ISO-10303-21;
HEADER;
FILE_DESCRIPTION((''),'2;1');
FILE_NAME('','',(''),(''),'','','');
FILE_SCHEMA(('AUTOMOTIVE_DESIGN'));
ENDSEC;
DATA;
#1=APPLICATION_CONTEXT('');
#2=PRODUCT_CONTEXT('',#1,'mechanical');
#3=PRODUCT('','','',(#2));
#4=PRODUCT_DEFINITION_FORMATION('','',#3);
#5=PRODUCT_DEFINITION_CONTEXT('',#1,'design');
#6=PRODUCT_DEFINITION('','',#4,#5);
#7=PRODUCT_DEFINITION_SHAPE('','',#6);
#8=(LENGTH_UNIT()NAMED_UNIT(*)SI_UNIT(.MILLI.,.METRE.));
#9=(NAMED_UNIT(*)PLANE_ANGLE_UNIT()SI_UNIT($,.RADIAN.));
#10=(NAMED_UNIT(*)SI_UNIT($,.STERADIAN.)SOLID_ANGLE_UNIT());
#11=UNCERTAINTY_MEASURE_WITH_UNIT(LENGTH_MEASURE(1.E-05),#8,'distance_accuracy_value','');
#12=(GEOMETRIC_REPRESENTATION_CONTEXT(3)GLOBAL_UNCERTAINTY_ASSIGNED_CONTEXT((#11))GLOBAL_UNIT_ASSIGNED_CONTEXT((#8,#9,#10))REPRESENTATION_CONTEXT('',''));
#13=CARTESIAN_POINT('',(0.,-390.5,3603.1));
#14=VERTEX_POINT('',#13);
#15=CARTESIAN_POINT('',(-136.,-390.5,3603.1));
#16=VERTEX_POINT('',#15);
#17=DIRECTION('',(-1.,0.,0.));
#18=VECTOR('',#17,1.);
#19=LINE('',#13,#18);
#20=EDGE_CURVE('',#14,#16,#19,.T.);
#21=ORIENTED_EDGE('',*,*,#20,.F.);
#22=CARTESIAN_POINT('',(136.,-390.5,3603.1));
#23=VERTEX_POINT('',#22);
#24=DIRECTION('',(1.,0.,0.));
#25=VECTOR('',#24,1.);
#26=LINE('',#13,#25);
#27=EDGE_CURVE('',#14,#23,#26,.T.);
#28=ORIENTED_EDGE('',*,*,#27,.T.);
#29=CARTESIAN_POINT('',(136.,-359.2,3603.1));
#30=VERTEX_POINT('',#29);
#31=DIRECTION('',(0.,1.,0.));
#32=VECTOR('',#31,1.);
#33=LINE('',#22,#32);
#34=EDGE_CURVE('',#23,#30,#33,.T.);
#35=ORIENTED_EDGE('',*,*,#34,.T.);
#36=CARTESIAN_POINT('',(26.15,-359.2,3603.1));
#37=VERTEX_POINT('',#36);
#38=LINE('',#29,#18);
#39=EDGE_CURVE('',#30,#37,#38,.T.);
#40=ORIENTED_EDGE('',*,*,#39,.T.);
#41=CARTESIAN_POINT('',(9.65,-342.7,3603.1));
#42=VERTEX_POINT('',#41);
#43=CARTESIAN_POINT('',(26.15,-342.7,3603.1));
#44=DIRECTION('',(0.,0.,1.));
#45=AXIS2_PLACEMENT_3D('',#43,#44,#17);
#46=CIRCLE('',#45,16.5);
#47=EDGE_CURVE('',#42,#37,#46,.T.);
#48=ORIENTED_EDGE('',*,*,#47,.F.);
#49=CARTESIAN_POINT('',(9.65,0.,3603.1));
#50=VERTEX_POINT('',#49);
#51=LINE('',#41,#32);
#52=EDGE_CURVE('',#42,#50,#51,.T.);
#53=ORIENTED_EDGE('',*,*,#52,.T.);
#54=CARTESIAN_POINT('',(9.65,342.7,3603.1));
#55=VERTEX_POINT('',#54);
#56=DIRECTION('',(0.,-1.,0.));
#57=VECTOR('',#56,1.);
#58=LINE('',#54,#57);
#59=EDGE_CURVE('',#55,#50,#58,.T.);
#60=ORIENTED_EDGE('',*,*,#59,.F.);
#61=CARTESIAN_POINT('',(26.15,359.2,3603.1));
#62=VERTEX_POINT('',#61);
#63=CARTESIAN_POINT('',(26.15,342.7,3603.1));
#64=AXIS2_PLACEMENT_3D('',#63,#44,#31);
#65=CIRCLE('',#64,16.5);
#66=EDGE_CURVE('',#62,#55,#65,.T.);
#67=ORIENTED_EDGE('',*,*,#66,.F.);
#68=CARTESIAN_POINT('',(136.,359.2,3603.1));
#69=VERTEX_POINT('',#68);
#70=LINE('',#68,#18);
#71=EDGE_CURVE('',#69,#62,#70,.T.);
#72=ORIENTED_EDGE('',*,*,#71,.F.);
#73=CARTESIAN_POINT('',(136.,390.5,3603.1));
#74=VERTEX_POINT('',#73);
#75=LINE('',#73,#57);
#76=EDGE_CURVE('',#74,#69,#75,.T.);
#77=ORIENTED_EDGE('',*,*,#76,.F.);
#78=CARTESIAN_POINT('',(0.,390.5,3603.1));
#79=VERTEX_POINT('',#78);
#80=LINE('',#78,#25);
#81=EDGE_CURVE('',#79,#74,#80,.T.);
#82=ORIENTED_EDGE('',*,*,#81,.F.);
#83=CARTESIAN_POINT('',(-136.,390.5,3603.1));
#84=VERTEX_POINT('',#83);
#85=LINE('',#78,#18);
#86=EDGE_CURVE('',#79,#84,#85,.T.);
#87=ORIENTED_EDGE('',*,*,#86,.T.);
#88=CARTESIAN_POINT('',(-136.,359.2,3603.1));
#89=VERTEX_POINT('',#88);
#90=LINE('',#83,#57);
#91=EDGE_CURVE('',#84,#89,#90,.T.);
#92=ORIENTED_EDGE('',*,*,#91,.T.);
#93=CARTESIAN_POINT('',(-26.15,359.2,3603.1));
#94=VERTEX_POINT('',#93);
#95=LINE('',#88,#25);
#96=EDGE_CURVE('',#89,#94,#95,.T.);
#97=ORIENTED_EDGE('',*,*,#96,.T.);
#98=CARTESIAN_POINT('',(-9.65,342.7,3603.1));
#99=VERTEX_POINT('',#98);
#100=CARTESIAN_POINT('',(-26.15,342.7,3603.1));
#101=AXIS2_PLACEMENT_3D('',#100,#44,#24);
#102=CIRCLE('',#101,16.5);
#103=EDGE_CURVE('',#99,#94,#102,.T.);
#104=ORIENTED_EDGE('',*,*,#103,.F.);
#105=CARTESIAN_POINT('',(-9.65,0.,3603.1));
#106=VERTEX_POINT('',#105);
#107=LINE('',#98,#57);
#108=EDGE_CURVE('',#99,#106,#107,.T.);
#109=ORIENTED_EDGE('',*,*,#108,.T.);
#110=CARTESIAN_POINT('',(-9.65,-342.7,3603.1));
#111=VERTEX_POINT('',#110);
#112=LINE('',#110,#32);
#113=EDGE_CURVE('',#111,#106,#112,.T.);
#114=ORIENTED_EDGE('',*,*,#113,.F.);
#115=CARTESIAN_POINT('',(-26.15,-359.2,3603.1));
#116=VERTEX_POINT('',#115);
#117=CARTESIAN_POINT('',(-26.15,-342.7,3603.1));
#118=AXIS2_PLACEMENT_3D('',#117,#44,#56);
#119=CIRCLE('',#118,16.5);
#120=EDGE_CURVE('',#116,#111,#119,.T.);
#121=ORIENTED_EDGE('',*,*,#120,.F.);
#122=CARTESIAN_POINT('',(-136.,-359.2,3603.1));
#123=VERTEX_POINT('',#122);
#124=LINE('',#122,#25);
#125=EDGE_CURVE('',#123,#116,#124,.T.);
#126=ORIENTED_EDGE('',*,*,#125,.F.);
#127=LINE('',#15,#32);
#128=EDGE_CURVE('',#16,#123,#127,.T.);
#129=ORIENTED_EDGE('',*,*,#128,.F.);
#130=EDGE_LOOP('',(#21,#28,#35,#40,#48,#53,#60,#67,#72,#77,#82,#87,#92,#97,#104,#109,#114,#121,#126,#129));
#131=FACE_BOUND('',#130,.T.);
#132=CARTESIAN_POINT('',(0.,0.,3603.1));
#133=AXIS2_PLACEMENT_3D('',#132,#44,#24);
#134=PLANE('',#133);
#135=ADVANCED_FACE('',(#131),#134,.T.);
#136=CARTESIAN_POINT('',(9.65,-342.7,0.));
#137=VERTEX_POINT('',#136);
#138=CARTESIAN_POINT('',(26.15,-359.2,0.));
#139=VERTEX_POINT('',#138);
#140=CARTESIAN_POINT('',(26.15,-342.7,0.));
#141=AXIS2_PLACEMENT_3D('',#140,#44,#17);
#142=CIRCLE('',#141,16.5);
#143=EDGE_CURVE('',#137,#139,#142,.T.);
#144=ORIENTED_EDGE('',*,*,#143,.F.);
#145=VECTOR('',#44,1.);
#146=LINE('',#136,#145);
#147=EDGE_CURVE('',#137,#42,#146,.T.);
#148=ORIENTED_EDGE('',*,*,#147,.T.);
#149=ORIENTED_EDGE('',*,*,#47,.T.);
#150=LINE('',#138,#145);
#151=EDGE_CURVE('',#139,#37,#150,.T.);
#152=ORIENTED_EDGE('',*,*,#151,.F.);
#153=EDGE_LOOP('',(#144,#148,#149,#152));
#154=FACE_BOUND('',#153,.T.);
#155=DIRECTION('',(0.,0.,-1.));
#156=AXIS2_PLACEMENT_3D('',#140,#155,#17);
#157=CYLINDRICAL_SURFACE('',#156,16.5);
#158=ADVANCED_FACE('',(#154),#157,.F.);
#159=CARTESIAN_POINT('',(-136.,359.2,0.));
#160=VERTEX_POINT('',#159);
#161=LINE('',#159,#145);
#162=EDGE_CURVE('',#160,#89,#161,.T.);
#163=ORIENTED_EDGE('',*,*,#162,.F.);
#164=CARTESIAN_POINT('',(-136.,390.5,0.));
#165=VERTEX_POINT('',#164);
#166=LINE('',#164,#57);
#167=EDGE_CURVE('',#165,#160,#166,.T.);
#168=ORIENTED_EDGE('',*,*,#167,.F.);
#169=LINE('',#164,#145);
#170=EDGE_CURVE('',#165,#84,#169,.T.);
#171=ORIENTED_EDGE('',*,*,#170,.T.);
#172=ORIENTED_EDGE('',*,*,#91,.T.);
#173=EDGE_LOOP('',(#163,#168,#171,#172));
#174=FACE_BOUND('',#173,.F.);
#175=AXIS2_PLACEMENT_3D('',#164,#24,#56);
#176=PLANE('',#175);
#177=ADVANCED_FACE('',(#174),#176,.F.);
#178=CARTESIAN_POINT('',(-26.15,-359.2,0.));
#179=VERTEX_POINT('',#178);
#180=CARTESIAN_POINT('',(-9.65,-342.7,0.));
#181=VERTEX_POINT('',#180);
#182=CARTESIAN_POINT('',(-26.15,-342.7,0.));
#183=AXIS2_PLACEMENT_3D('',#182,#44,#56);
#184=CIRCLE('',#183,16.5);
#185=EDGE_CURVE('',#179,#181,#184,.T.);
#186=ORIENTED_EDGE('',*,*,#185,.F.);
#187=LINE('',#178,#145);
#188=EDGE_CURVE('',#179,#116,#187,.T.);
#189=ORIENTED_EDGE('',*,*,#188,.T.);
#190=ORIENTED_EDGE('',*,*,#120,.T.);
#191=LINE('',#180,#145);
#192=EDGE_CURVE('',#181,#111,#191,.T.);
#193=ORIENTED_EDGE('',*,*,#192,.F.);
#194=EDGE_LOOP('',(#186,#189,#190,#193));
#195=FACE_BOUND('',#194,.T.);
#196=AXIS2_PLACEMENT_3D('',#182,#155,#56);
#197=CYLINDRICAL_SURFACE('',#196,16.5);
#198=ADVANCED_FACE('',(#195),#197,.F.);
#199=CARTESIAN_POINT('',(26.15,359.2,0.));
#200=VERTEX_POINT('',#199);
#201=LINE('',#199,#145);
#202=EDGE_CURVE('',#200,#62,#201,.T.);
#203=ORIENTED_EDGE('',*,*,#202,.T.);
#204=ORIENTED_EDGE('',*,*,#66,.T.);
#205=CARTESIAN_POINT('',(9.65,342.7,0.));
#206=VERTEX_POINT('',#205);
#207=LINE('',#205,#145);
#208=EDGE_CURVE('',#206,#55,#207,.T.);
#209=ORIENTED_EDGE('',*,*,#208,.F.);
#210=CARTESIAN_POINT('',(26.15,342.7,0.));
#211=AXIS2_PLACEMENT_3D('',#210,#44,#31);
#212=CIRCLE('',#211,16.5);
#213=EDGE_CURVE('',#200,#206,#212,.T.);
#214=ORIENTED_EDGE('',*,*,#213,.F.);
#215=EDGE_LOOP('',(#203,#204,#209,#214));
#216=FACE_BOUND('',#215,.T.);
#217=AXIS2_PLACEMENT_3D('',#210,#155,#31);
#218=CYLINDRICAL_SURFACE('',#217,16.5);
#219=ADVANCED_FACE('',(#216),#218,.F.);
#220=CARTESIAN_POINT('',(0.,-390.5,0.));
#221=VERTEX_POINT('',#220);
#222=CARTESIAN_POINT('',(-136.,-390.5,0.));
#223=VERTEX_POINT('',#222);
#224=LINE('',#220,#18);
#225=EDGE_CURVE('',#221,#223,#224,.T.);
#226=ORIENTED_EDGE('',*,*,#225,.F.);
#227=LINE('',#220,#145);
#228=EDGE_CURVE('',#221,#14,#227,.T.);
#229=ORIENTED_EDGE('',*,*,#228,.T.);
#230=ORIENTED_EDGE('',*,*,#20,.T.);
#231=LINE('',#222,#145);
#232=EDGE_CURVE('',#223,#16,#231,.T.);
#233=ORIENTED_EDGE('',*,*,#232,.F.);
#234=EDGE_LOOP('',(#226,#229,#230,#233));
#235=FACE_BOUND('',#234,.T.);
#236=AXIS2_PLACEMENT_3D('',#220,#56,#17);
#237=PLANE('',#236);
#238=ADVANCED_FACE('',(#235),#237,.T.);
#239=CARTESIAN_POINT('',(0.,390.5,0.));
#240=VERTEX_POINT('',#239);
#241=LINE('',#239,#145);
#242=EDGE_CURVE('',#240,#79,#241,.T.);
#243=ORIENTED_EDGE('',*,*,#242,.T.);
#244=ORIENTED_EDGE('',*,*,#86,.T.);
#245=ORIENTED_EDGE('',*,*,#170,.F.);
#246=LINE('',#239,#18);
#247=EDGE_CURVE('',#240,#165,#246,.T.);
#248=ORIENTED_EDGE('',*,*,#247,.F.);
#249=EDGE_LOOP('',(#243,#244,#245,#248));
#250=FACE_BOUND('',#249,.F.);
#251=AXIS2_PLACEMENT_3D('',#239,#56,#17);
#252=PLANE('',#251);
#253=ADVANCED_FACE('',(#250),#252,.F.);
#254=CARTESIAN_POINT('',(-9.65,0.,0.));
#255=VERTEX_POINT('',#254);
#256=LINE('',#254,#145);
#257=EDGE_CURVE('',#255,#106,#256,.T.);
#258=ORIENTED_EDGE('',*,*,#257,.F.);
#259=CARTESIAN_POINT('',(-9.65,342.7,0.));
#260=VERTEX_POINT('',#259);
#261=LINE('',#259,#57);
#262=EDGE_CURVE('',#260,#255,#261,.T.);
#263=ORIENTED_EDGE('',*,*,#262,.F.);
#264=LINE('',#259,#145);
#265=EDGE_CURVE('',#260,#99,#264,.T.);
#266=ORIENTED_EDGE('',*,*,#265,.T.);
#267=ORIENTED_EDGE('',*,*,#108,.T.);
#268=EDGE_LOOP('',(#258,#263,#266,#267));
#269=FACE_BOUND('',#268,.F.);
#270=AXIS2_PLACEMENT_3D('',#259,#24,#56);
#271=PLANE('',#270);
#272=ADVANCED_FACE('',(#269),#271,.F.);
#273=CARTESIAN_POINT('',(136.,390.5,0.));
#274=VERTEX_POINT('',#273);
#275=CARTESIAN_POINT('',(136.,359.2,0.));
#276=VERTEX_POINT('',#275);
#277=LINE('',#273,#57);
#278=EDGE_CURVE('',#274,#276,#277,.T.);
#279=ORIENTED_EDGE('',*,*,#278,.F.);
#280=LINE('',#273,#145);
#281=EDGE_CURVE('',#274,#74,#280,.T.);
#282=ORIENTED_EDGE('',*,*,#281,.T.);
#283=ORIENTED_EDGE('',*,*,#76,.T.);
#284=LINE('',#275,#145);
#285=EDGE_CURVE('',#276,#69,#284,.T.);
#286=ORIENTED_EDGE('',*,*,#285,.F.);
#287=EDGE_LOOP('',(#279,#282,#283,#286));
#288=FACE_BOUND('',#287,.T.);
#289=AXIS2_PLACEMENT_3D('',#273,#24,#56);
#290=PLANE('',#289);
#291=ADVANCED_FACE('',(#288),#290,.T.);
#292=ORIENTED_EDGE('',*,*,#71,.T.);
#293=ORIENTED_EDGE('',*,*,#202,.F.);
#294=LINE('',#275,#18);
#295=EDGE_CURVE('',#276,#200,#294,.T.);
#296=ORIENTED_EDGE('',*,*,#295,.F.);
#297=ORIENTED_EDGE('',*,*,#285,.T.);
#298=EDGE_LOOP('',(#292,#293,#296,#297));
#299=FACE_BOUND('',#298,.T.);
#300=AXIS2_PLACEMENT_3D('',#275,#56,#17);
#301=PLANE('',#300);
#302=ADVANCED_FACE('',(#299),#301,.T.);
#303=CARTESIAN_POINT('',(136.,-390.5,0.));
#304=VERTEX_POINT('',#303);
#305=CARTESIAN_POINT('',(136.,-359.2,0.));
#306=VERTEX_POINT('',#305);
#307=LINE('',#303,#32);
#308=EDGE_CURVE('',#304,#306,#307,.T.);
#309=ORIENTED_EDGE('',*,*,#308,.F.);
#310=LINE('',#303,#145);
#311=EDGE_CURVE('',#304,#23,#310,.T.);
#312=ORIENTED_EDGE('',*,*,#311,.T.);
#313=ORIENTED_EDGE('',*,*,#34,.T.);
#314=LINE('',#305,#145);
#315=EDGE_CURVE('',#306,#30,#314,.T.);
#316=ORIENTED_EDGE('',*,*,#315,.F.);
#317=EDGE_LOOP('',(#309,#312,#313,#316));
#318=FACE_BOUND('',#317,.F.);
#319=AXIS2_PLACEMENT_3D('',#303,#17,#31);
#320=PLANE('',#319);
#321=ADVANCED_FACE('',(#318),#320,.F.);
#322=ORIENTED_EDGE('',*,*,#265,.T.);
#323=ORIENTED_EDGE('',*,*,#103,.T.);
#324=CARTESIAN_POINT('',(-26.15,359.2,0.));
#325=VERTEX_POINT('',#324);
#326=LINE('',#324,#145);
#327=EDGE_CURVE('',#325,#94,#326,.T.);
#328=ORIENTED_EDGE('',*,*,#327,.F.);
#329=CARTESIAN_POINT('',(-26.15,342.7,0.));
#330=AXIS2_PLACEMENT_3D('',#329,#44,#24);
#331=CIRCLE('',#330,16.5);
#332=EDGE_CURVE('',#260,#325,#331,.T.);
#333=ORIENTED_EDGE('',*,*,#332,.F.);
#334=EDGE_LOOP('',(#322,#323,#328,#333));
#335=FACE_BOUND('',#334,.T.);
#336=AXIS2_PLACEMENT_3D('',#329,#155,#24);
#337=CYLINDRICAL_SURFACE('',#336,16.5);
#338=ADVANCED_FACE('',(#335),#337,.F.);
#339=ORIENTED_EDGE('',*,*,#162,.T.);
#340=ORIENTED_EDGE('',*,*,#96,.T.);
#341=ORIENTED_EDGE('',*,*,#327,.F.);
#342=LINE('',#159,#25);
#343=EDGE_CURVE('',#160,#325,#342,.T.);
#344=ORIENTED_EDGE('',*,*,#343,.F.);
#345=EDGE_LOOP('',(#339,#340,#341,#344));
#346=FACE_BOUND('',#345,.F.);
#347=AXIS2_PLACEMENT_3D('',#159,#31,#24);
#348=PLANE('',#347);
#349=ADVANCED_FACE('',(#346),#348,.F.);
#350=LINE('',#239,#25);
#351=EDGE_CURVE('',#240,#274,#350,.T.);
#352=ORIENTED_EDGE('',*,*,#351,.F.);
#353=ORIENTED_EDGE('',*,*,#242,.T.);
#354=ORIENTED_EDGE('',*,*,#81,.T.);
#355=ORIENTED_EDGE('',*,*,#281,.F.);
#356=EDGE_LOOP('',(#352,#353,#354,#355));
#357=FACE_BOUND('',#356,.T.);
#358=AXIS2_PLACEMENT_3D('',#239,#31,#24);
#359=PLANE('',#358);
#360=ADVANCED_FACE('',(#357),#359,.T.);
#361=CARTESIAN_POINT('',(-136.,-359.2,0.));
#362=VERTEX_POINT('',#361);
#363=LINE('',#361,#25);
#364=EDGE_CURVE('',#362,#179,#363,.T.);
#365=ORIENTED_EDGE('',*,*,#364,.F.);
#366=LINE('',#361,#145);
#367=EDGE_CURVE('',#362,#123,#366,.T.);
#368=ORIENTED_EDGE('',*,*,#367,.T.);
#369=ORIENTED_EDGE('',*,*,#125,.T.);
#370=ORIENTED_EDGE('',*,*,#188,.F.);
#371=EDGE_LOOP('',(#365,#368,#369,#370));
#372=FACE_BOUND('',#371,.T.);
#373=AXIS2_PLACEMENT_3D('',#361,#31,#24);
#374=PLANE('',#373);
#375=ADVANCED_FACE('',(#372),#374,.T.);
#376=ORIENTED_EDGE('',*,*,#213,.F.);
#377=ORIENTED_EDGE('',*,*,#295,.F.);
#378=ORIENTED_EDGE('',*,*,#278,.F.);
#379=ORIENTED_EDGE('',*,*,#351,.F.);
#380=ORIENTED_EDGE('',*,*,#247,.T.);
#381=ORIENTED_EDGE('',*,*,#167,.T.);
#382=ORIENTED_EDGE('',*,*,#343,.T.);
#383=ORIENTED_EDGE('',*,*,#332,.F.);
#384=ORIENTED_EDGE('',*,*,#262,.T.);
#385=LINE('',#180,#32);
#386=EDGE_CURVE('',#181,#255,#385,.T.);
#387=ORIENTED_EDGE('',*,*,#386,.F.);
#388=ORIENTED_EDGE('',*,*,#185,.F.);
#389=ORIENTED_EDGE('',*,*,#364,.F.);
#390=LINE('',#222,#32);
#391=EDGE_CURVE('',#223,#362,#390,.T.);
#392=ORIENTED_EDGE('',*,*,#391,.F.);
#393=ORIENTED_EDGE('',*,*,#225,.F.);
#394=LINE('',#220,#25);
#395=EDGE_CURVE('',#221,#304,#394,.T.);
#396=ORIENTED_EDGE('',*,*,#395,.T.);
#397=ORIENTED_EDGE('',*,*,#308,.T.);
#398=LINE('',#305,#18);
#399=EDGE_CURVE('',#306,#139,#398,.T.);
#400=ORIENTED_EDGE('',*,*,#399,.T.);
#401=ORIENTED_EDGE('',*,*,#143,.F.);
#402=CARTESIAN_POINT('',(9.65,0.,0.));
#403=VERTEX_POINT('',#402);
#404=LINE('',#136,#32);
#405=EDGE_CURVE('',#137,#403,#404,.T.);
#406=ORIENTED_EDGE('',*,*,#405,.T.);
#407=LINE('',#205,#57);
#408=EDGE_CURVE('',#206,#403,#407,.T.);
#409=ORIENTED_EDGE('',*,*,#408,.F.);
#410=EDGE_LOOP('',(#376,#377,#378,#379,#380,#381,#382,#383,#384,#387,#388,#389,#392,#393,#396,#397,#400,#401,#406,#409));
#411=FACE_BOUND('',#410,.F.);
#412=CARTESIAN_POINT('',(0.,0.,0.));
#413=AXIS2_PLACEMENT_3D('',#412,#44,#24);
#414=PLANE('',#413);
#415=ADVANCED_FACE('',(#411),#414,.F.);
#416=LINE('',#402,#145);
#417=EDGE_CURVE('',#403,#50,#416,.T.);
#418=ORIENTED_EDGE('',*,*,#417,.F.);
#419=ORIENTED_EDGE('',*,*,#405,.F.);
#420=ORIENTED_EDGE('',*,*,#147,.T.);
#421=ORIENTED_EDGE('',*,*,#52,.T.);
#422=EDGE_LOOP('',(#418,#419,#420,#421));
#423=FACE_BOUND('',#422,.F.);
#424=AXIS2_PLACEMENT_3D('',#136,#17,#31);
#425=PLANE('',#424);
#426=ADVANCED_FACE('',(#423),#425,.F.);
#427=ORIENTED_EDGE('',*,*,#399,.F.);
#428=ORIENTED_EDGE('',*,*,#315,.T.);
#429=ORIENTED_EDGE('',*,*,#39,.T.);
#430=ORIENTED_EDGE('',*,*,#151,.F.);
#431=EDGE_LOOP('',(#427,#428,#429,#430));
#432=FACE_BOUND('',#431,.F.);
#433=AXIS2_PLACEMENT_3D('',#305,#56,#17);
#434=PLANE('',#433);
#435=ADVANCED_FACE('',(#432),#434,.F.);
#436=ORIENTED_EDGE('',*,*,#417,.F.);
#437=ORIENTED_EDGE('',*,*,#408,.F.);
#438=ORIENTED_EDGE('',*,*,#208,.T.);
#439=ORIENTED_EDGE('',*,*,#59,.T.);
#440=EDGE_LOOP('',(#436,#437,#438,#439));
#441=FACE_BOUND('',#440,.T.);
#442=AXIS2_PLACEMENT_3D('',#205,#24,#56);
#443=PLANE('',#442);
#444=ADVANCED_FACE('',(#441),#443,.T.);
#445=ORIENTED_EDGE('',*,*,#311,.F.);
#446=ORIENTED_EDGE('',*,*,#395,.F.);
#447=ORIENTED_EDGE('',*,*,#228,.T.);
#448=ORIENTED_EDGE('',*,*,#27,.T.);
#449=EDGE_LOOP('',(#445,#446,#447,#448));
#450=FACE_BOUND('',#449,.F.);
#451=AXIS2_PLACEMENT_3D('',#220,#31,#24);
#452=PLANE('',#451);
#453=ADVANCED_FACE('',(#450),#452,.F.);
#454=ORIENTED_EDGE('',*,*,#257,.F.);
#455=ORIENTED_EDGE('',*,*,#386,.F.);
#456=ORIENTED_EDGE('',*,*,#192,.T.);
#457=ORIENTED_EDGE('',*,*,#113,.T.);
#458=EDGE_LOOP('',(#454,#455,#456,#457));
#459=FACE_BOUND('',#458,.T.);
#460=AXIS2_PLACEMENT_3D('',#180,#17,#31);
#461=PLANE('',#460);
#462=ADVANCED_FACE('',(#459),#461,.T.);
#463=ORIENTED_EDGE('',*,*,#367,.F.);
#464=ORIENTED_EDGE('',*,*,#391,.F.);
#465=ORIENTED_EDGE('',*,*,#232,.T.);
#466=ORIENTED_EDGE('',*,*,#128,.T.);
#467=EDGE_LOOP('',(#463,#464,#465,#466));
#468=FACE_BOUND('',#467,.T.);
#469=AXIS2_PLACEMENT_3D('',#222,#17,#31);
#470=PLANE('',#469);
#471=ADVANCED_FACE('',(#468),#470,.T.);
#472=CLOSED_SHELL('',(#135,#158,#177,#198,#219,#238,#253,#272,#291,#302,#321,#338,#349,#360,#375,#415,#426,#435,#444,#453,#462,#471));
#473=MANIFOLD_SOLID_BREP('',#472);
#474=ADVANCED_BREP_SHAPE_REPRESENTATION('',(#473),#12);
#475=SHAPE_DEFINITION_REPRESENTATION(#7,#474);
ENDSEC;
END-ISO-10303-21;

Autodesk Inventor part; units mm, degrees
ref_plane "YZ Plane" through (0, 0, 0) normal (1, 0, 0) x (0, 1, 0)
ref_plane "Start plane" through (0, 0, 0) normal (0, 0, 1) x (1, 0, 0)
ref_plane "End plane" through (0, 0, 3603.1) normal (0, 0, 1) x (1, 0, 0)
sketch "Sketch" plane through (0, 0, 0) normal (0, 0, 1) x (1, 0, 0)
  line L0 (-136, -390.5) -> (-136, -359.2)
  line L1 (-136, -359.2) -> (-26.15, -359.2)
  line L2 (-9.65, -342.7) -> (-9.65, 0)
  line L3 (-9.65, 0) -> (0, 0) construction
  line L4 (0, 0) -> (0, -390.5) construction
  line L5 (0, -390.5) -> (-136, -390.5)
  line L6 (-60, 0) -> (80, 0) construction
  line L7 (0, -60) -> (0, 80) construction
  line L8 (136, -390.5) -> (136, -359.2)
  line L9 (136, -359.2) -> (26.15, -359.2)
  line L10 (9.65, -342.7) -> (9.65, 0)
  line L11 (9.65, 0) -> (0, 0) construction
  line L12 (0, -390.5) -> (136, -390.5)
  line L13 (-136, 390.5) -> (-136, 359.2)
  line L14 (-136, 359.2) -> (-26.15, 359.2)
  line L15 (-9.65, 342.7) -> (-9.65, 0)
  line L16 (0, 390.5) -> (-136, 390.5)
  line L17 (136, 390.5) -> (136, 359.2)
  line L18 (136, 359.2) -> (26.15, 359.2)
  line L19 (0, 390.5) -> (136, 390.5)
  line L20 (9.65, 342.7) -> (9.65, 0)
  arc A0 (-9.65, 342.7) -> (-26.15, 359.2) centre (-26.15, 342.7) ccw
  arc A1 (26.15, 359.2) -> (9.65, 342.7) centre (26.15, 342.7) ccw
  arc A2 (9.65, -342.7) -> (26.15, -359.2) centre (26.15, -342.7) ccw
  arc A3 (-26.15, -359.2) -> (-9.65, -342.7) centre (-26.15, -342.7) ccw
  line L21 (0, 108) -> (0, -88) construction
  line L22 (-88, 0) -> (108, 0) construction
  point P0 (-9.65, -359.2)
  point P1 (9.65, -359.2)
  point P2 (-9.65, 359.2)
  point P3 (9.65, 359.2)
  dimension "d1" = 390.5
  dimension "d2" = 31.3
  dimension "d3" = 136
  dimension "d4" = 9.65
  dimension "d10" = 16.5
extrude "Body" add sketch "Sketch" along normal up to surface (3603.1 mm away) from surface at 0
sketch "Sketch4" plane through (0, 0, 0) normal (0, 0, 1) x (1, 0, 0)
  line L0 (0, 0) -> (10, 0)
ref_plane "Work Plane3" through (0, 0, 0) normal (0, -1, 0) x (1, 0, 0)
sketch "Sketch5" plane through (0, 0, 0) normal (0, -1, 0) x (1, 0, 0)
  line L0 (-2, 0) -> (12, 0) projected
  line L1 (-2, 3603.1) -> (12, 3603.1) projected
  dimension "d14" = 3603.1
equation "\"d1\" = 0.5 * G_H"
equation "\"d2\" = G_T1"
equation "\"d3\" = 0.5 * G_W"
equation "\"d4\" = 0.5 * G_T"
equation "\"d10\" = G_IR"
equation "\"d5\" = G_L"
equation "\"G_W\" = 272"
equation "\"G_H\" = 781"
equation "\"G_T\" = 19.3"
equation "\"G_T1\" = 31.3"
equation "\"G_IR\" = 16.5"
equation "\"G_L\" = d14"
equation "\"G_OFFSET_START\" = 0"
equation "\"G_OFFSET_END\" = 0"
equation "\"d12\" = G_OFFSET_END + B_L"
equation "\"B_L\" = 3603.1"
properties part number "AS 3679-1990 - 760 UB - 244 - 3603.1" material "Steel, Mild"
